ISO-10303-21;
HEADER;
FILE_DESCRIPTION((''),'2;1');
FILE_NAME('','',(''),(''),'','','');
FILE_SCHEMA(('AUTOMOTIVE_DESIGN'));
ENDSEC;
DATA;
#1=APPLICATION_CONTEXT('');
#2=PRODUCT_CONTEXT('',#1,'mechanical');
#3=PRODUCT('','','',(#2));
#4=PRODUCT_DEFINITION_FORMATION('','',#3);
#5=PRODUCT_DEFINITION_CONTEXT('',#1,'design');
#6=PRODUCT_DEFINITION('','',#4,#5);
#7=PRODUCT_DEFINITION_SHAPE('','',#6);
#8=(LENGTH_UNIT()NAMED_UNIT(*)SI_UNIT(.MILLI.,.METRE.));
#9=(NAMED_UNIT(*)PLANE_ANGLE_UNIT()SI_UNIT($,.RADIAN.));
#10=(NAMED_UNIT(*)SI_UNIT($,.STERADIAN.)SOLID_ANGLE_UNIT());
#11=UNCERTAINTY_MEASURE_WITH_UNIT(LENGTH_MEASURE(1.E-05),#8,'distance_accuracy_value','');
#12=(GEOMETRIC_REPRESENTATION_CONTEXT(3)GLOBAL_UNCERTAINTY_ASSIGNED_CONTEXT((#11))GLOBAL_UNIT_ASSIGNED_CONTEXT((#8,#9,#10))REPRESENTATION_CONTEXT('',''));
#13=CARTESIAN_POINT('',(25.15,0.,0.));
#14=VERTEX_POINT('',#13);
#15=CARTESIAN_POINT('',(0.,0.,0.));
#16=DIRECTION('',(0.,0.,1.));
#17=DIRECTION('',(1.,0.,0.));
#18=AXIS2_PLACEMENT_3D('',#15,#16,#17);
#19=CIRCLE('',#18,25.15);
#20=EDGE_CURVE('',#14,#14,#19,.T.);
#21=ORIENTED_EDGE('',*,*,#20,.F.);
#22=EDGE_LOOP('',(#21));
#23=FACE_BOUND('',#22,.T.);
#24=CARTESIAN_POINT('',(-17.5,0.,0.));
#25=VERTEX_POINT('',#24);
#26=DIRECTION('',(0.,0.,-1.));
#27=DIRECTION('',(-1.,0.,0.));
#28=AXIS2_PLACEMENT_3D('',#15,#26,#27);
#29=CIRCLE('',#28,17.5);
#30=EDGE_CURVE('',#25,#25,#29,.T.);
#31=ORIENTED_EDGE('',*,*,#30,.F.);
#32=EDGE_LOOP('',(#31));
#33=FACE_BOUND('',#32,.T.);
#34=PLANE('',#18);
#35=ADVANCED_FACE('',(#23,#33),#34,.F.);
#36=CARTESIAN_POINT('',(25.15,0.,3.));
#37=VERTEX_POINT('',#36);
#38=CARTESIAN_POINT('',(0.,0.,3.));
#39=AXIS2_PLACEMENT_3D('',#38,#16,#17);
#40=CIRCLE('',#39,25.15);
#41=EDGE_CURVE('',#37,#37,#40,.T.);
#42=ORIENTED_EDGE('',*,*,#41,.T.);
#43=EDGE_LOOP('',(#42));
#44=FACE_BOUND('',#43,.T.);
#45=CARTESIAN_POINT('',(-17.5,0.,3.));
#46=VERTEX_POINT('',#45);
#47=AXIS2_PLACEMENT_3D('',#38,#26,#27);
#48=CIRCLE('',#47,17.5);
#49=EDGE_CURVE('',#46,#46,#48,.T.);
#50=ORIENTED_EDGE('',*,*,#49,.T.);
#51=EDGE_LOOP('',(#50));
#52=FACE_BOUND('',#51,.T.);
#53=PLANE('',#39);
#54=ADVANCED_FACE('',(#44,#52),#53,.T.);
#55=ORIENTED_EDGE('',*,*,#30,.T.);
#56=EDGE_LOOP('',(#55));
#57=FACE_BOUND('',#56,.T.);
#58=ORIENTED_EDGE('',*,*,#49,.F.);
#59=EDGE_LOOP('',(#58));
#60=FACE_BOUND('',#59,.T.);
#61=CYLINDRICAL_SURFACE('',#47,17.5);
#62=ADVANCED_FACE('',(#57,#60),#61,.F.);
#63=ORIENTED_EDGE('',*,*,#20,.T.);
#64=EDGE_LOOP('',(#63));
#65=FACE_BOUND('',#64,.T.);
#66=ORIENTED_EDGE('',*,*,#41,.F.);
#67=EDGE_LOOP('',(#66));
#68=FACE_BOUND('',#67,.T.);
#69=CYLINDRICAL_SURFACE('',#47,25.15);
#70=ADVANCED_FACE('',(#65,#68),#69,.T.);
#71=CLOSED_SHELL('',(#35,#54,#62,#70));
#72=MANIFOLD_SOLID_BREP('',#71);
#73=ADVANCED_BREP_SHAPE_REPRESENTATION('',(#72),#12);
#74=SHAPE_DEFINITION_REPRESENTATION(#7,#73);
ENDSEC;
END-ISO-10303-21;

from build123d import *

# Parameters (mm, degrees)
SKETCH2_R           = 25.15
BOSS_EXTRUDE1_DEPTH = 3
SKETCH3_R           = 17.5
CUT_EXTRUDE1_DEPTH  = 3


with BuildPart() as part:
    # Sketch2 → Boss-Extrude1 (new body)
    with BuildSketch(Plane.XY):
        Circle(SKETCH2_R)
    extrude(amount=BOSS_EXTRUDE1_DEPTH)

    # Sketch3 → Cut-Extrude1 (cut)
    with BuildSketch(Plane(origin=(0, 0, 0), x_dir=(-1, 0, 0), z_dir=(0, 0, -1))):
        Circle(SKETCH3_R)
    extrude(amount=-CUT_EXTRUDE1_DEPTH, mode=Mode.SUBTRACT)


solid = part.part
